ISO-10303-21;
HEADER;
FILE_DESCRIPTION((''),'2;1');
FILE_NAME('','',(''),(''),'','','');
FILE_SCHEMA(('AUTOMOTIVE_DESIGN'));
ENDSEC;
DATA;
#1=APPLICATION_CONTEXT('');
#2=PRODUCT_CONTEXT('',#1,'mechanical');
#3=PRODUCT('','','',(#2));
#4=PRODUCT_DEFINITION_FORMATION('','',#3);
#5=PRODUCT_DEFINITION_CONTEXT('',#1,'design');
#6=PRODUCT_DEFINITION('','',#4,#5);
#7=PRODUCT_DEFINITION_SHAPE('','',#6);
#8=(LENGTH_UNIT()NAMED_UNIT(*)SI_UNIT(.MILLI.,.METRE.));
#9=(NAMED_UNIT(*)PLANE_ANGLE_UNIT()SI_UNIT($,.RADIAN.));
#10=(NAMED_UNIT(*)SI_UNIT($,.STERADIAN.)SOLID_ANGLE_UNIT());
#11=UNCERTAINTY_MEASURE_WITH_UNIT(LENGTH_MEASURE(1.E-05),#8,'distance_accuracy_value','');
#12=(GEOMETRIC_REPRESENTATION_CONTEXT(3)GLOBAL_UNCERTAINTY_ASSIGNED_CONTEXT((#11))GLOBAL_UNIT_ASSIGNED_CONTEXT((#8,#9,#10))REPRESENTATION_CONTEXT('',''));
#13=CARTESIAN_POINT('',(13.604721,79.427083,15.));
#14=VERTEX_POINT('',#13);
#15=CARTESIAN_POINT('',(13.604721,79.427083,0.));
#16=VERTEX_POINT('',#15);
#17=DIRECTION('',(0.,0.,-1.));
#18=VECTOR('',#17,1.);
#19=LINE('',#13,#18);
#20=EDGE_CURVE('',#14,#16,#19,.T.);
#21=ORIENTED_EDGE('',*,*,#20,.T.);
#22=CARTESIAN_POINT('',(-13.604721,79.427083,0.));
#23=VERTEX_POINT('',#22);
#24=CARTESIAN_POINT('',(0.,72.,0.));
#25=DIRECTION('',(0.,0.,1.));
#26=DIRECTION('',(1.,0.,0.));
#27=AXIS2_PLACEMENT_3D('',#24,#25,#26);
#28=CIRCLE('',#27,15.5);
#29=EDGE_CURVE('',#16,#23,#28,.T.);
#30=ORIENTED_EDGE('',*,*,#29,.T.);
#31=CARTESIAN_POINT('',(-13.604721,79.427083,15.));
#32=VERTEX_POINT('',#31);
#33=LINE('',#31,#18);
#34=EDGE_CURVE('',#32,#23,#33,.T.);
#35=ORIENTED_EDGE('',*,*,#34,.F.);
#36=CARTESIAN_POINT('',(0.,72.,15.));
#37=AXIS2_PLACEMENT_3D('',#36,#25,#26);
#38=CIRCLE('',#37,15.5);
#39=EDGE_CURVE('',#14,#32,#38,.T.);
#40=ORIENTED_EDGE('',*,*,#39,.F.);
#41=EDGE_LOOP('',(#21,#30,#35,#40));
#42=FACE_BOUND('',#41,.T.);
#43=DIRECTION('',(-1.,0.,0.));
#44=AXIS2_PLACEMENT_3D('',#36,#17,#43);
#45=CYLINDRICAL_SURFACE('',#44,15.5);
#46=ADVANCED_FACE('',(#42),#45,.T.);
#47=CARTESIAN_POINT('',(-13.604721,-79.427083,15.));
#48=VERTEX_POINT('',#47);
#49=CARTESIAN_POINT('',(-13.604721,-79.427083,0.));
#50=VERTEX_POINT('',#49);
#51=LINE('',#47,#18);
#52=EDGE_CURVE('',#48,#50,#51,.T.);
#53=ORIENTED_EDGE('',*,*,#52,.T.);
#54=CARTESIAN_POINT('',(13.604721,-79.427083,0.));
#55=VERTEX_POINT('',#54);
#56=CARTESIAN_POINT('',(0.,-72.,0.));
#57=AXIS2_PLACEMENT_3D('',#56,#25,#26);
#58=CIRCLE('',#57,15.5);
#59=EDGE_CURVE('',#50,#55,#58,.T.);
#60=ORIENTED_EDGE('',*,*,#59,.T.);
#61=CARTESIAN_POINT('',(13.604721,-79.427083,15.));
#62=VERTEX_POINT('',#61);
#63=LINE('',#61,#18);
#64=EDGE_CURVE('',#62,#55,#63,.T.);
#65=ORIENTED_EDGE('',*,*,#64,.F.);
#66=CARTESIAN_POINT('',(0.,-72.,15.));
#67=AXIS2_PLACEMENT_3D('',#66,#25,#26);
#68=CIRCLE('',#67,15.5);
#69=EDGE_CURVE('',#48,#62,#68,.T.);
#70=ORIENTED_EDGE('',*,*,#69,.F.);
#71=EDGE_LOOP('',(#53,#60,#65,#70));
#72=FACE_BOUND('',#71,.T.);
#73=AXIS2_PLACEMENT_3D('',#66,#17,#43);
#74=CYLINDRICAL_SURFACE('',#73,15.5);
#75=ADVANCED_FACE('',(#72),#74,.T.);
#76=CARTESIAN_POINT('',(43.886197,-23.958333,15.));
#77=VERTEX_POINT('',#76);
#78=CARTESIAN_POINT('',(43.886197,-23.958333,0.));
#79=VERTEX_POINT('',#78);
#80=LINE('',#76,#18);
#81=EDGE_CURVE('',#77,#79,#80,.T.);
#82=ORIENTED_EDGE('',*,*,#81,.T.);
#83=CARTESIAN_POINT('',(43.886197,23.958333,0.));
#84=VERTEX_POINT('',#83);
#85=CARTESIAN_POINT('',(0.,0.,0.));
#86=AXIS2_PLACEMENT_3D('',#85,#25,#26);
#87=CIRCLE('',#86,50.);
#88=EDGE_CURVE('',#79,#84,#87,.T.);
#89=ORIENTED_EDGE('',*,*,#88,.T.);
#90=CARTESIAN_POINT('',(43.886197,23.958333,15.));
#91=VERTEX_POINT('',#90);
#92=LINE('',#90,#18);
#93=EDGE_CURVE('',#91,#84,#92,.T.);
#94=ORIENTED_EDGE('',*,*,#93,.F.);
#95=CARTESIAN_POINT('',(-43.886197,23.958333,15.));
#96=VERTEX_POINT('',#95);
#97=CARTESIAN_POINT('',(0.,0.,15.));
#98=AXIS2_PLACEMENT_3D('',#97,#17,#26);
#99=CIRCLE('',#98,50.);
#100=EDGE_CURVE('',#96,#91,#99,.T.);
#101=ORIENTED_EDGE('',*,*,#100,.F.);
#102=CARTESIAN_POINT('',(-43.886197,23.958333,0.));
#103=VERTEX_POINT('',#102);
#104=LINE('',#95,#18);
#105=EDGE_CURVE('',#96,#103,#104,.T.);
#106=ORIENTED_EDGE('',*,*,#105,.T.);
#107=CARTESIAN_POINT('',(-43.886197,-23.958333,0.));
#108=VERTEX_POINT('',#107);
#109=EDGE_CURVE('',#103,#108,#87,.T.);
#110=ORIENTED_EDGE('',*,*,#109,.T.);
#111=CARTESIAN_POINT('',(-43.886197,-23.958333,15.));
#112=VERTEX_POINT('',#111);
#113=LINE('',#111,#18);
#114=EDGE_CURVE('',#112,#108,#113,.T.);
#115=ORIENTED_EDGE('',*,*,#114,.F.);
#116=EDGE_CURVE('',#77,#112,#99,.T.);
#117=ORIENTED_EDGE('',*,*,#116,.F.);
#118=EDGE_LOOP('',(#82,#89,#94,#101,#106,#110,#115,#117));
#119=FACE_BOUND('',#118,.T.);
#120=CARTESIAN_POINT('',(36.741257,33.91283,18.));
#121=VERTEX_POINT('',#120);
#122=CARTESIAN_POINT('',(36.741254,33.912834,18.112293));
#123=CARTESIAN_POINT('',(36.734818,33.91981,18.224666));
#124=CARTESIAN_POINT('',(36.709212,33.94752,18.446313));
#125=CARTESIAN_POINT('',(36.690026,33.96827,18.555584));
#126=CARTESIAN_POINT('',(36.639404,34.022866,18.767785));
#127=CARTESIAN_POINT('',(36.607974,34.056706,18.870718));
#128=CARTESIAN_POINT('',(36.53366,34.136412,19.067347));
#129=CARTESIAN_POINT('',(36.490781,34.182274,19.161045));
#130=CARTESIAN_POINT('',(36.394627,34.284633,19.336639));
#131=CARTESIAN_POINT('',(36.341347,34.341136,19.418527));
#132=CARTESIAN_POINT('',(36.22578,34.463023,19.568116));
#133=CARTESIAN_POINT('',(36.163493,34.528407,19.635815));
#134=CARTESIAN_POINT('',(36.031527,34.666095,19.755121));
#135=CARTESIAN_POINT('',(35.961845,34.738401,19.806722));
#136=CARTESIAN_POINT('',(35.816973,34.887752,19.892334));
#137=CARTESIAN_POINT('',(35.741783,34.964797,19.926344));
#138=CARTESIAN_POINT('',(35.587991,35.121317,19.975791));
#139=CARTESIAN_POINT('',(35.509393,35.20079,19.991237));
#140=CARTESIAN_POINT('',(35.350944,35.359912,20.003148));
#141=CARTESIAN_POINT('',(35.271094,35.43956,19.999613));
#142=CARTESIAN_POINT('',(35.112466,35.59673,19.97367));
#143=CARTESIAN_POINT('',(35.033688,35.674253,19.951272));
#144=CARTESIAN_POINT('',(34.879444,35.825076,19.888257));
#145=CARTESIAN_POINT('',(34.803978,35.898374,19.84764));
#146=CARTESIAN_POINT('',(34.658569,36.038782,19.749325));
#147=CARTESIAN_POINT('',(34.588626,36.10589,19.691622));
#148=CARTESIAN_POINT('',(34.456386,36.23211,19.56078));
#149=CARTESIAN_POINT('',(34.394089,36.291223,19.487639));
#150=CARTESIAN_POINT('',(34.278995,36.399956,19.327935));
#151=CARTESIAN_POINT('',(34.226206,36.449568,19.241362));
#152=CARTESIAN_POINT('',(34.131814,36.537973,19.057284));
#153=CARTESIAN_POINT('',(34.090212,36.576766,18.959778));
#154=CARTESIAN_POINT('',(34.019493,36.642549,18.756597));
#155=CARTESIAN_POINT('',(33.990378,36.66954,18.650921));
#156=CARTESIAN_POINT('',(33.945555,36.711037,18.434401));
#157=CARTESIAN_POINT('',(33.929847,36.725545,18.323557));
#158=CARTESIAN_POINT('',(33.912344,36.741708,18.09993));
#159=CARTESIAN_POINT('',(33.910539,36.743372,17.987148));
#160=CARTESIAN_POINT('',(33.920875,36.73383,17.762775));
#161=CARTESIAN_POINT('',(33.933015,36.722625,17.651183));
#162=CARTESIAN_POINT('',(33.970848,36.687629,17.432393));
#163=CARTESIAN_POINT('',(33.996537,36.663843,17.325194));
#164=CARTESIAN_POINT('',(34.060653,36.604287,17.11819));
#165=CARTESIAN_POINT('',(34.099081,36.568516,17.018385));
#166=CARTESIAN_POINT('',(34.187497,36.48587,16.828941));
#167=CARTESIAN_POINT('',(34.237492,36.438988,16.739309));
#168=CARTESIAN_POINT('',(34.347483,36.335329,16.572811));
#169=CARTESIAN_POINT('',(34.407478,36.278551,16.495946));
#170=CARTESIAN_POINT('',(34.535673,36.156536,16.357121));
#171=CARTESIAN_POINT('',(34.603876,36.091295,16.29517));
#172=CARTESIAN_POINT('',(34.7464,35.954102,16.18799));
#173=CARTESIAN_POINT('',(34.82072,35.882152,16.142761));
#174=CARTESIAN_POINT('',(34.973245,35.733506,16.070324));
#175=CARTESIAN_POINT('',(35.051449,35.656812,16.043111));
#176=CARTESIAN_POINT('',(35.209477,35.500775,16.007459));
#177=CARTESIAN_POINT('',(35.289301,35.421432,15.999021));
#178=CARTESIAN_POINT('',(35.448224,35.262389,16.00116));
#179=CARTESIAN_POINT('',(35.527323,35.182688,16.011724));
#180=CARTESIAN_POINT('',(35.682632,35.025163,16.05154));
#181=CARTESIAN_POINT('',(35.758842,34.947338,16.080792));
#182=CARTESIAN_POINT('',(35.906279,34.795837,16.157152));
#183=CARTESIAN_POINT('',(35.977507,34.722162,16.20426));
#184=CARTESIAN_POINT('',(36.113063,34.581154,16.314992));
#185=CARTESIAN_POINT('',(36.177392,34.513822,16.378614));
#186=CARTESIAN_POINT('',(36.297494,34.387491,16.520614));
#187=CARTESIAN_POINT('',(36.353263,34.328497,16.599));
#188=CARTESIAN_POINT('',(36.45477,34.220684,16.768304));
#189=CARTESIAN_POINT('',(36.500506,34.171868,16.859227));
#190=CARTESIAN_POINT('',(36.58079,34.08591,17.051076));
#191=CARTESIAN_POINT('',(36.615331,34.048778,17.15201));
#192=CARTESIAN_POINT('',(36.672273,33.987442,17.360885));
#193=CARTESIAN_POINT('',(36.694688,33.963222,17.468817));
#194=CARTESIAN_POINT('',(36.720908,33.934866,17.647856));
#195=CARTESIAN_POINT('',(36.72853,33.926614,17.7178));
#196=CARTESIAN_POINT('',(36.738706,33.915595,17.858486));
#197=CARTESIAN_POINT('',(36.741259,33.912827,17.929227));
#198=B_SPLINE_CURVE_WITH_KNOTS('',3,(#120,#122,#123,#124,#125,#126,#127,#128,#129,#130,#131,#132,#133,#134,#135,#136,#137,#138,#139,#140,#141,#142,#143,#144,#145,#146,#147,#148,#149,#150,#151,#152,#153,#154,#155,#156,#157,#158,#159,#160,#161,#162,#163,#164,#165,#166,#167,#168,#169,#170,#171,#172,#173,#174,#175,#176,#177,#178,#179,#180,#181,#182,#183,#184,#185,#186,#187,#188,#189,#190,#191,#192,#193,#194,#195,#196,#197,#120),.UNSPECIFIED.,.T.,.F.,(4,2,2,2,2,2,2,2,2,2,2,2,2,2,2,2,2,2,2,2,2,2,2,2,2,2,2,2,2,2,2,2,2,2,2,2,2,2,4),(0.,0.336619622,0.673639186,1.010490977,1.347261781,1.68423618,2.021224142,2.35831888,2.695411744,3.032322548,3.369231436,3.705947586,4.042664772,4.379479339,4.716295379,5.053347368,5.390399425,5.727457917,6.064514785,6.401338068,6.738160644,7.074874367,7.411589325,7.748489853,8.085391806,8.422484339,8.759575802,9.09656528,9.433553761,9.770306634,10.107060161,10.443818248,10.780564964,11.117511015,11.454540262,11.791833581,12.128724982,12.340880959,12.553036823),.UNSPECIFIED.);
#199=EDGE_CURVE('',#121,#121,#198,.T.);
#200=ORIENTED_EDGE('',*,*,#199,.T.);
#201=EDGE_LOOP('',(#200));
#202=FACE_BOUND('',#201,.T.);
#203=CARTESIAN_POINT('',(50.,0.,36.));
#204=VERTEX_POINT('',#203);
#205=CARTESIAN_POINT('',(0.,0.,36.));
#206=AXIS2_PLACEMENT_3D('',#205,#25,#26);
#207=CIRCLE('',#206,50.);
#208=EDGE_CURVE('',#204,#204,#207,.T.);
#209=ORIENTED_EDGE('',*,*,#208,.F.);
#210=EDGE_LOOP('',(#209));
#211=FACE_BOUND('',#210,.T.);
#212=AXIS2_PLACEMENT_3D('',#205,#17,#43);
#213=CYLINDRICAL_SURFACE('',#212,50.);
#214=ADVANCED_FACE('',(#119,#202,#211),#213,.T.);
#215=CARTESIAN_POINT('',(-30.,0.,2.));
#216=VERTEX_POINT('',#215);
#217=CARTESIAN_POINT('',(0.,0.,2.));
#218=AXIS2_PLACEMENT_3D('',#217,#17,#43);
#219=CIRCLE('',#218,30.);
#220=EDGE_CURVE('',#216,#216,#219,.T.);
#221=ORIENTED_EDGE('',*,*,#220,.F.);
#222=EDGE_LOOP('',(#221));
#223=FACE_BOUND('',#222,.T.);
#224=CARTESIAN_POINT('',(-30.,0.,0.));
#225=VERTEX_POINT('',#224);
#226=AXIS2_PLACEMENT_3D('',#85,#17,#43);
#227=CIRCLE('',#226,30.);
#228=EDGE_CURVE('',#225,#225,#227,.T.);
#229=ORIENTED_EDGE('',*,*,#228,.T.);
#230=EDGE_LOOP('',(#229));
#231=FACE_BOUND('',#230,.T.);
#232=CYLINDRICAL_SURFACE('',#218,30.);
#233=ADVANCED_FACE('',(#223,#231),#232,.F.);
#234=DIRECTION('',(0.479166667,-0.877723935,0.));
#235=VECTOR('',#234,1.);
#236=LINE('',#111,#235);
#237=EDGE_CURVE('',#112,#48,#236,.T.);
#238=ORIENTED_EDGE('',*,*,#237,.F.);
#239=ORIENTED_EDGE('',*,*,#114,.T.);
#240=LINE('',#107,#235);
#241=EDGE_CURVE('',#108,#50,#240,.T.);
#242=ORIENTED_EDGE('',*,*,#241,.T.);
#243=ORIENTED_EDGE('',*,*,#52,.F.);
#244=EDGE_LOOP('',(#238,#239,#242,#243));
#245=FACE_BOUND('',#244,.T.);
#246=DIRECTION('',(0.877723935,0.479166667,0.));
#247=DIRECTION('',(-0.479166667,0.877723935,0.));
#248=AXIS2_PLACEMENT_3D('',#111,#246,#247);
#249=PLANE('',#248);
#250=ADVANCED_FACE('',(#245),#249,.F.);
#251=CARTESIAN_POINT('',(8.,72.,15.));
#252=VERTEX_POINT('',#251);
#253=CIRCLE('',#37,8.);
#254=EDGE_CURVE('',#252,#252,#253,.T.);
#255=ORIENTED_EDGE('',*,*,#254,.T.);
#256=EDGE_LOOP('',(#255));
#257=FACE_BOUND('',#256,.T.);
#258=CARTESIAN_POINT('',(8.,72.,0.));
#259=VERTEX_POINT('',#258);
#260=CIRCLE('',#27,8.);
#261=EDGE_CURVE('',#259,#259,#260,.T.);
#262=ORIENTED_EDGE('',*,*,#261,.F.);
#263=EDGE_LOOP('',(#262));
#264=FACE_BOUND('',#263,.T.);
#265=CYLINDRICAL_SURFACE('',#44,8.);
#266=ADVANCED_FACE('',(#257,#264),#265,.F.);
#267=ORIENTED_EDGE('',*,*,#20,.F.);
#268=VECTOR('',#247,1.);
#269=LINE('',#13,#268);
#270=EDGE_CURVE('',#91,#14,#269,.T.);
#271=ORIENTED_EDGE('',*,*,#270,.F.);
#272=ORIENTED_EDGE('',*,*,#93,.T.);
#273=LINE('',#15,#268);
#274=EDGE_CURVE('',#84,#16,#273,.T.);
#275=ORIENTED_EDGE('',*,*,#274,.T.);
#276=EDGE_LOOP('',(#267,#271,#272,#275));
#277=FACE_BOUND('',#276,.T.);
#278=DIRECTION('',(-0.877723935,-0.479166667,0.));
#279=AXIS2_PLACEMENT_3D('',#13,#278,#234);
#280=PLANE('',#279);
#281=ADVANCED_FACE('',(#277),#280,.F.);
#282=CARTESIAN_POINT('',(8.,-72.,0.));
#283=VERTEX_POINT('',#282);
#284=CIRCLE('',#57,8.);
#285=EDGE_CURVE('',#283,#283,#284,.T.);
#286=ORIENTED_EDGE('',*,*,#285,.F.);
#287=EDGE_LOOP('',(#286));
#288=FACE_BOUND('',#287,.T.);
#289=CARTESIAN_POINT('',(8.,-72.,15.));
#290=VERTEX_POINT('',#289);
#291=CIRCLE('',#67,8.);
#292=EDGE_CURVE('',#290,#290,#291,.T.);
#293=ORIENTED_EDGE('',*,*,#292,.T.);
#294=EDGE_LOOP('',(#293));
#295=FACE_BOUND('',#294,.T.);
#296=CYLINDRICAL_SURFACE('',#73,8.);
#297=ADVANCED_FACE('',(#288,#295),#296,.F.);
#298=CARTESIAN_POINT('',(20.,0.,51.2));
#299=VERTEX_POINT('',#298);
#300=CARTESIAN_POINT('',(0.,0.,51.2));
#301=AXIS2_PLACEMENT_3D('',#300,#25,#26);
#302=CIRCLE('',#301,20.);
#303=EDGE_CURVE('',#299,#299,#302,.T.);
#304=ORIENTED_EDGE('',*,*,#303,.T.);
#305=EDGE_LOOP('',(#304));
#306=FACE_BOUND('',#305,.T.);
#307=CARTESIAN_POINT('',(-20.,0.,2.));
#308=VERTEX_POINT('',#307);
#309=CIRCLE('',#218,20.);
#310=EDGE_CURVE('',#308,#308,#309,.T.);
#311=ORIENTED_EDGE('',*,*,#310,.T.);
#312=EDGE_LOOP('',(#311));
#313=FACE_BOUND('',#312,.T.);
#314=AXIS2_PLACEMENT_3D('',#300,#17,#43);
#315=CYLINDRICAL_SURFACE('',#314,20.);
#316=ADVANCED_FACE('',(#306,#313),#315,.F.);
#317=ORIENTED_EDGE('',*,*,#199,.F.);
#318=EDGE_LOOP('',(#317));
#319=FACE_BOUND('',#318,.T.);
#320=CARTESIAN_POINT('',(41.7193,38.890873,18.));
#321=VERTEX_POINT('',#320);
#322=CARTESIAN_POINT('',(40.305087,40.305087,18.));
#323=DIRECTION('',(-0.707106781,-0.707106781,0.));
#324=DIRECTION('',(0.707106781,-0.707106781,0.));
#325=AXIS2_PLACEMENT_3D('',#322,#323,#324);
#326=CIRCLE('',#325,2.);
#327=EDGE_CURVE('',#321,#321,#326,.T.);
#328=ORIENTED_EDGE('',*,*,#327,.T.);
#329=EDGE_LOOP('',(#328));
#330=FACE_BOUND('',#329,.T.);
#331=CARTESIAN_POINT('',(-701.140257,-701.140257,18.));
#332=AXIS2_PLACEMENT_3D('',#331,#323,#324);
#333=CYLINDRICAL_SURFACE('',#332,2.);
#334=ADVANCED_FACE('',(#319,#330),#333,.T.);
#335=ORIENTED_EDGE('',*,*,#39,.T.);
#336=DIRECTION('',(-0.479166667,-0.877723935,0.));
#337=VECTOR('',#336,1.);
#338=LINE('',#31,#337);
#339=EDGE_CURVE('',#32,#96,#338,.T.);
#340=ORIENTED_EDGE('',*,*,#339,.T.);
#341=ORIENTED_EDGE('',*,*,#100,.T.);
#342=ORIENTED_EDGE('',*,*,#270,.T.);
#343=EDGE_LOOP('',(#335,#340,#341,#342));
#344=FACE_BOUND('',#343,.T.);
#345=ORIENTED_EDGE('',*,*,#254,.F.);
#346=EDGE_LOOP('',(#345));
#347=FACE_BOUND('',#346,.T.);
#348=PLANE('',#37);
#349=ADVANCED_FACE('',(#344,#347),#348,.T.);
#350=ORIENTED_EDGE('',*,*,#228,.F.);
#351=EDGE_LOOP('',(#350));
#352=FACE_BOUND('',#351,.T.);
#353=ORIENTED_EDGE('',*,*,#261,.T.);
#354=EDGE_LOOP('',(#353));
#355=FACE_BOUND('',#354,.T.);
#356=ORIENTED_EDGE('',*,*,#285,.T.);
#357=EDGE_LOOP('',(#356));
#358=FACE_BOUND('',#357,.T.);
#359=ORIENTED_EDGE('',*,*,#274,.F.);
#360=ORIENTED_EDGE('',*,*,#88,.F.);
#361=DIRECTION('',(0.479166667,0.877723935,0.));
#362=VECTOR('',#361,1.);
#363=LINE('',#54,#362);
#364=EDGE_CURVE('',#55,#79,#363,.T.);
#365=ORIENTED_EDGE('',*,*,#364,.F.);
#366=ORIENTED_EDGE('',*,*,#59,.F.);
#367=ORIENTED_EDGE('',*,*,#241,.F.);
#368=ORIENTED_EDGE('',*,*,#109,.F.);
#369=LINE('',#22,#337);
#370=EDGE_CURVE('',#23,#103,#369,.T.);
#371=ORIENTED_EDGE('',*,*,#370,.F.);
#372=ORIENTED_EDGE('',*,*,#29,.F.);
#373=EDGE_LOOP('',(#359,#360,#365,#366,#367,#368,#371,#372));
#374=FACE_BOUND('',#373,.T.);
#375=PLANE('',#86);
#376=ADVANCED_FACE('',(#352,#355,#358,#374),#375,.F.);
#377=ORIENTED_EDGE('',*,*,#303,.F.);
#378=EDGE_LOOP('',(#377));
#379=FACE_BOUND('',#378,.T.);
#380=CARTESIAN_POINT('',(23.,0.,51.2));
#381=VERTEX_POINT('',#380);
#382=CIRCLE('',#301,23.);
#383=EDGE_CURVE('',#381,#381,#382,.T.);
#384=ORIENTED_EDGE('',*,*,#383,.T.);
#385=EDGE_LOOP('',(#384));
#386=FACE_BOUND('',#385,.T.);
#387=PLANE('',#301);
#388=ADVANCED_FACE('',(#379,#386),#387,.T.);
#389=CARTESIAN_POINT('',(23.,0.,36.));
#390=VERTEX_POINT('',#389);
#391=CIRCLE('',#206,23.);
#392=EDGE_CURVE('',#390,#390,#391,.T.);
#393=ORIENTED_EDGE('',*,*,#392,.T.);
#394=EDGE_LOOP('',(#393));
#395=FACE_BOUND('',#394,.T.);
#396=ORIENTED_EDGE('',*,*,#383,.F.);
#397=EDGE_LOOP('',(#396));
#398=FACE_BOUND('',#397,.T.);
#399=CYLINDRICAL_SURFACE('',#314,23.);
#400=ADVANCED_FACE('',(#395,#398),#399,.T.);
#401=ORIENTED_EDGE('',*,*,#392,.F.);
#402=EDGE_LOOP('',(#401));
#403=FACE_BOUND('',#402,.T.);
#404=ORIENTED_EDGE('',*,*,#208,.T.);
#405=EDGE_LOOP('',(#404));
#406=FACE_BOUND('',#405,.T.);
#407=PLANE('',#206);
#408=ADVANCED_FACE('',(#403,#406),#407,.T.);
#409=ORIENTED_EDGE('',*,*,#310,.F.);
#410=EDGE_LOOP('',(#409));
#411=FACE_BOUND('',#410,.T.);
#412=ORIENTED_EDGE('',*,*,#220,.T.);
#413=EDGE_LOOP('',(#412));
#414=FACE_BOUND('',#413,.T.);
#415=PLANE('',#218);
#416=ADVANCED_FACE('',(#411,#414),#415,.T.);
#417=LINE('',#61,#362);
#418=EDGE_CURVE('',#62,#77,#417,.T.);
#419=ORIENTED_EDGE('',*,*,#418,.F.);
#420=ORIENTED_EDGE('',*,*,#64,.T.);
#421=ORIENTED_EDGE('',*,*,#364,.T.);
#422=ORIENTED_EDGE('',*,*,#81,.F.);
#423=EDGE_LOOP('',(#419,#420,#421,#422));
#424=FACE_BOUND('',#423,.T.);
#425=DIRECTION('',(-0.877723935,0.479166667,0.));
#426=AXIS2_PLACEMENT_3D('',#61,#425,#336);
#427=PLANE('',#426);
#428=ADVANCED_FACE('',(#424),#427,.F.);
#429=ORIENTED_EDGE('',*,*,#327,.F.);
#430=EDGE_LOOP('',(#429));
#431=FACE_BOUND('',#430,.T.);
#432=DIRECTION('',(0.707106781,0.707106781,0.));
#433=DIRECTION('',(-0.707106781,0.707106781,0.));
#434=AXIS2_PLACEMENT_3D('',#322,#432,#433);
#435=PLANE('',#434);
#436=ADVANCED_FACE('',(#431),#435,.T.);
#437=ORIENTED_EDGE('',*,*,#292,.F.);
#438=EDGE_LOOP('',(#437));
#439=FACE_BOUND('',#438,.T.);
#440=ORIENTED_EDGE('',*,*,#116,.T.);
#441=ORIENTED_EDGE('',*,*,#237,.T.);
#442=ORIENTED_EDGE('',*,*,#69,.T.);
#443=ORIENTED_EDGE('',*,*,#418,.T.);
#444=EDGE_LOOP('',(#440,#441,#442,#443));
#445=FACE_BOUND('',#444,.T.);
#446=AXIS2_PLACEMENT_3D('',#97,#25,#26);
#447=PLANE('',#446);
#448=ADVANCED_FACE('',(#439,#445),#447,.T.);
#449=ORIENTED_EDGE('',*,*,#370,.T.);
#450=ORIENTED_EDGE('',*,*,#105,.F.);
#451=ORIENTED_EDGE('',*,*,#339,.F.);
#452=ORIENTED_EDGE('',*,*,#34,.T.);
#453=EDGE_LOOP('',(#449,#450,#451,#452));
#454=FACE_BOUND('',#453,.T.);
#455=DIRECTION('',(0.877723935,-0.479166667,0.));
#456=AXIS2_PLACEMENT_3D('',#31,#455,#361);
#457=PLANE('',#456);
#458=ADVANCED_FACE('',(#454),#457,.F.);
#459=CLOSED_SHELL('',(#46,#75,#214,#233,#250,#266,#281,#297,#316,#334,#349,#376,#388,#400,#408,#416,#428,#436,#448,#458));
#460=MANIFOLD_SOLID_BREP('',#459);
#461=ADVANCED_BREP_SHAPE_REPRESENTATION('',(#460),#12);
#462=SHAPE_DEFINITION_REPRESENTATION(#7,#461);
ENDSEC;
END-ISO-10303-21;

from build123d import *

# Parameters (mm, degrees)
SKETCH_1_R          = 23
SKETCH_1_R_2        = 20
EXTRUDE_1_DEPTH     = 51.2
SKETCH_2_R          = 50
SKETCH_2_R_2        = 23
EXTRUDE_2_DEPTH     = 36
EXTRUDE_3_DEPTH     = 15
SKETCH_4_R          = 8
CUT_EXTRUDE_1_DEPTH = 15
SKETCH_5_W          = 2
SKETCH_5_H          = 10
SKETCH_6_R          = 30
CUT_EXTRUDE_2_DEPTH = 2


with BuildPart() as part:
    # 草图1 → 拉伸1 (new body)
    with BuildSketch(Plane.XY):
        Circle(SKETCH_1_R)
        Circle(SKETCH_1_R_2, mode=Mode.SUBTRACT)
    extrude(amount=EXTRUDE_1_DEPTH)

    # 草图2 → 拉伸2 (add)
    with BuildSketch(Plane.XY):
        Circle(SKETCH_2_R)
        Circle(SKETCH_2_R_2, mode=Mode.SUBTRACT)
    extrude(amount=EXTRUDE_2_DEPTH)

    # 草图3 → 拉伸3 (add)
    with BuildSketch(Plane.XY):
        with BuildLine():
            Line((-43.886196735, -23.958333333), (-13.604720988, -79.427083333))
            ThreePointArc((-13.604720988, -79.427083333), (0, -87.5), (13.604720988, -79.427083333))
            Line((13.604720988, -79.427083333), (43.886196735, -23.958333333))
            ThreePointArc((43.886196735, -23.958333333), (0, -50), (-43.886196735, -23.958333333))
        make_face()
        with BuildLine():
            Line((-13.604720988, 79.427083333), (-43.886196735, 23.958333333))
            ThreePointArc((-43.886196735, 23.958333333), (0, 50), (43.886196735, 23.958333333))
            Line((43.886196735, 23.958333333), (13.604720988, 79.427083333))
            ThreePointArc((13.604720988, 79.427083333), (0, 87.5), (-13.604720988, 79.427083333))
        make_face()
    extrude(amount=EXTRUDE_3_DEPTH)

    # 草图4 → 切除-拉伸1 (cut)
    with BuildSketch(Plane.XY):
        with Locations((0, 72)):
            Circle(SKETCH_4_R)
        with Locations((0, -72)):
            Circle(SKETCH_4_R)
    extrude(amount=CUT_EXTRUDE_1_DEPTH, mode=Mode.SUBTRACT)

    # 草图5 → 旋转1 (revolve)
    with BuildSketch(Plane(origin=(0, 0, 0), x_dir=(0, 0, 1), z_dir=(-0.7071067811865488, 0.7071067811865462, 0))):
        with Locations((19, 52)):
            Rectangle(SKETCH_5_W, SKETCH_5_H)
    revolve(axis=Axis((-701.140256875, -701.140256875, 18), (0.7071067811865462, 0.7071067811865489, 0)))

    # 草图6 → 切除-拉伸2 (cut)
    with BuildSketch(Plane(origin=(0, 0, 0), x_dir=(-1, 0, 0), z_dir=(0, 0, -1))):
        Circle(SKETCH_6_R)
    extrude(amount=-CUT_EXTRUDE_2_DEPTH, mode=Mode.SUBTRACT)


solid = part.part
